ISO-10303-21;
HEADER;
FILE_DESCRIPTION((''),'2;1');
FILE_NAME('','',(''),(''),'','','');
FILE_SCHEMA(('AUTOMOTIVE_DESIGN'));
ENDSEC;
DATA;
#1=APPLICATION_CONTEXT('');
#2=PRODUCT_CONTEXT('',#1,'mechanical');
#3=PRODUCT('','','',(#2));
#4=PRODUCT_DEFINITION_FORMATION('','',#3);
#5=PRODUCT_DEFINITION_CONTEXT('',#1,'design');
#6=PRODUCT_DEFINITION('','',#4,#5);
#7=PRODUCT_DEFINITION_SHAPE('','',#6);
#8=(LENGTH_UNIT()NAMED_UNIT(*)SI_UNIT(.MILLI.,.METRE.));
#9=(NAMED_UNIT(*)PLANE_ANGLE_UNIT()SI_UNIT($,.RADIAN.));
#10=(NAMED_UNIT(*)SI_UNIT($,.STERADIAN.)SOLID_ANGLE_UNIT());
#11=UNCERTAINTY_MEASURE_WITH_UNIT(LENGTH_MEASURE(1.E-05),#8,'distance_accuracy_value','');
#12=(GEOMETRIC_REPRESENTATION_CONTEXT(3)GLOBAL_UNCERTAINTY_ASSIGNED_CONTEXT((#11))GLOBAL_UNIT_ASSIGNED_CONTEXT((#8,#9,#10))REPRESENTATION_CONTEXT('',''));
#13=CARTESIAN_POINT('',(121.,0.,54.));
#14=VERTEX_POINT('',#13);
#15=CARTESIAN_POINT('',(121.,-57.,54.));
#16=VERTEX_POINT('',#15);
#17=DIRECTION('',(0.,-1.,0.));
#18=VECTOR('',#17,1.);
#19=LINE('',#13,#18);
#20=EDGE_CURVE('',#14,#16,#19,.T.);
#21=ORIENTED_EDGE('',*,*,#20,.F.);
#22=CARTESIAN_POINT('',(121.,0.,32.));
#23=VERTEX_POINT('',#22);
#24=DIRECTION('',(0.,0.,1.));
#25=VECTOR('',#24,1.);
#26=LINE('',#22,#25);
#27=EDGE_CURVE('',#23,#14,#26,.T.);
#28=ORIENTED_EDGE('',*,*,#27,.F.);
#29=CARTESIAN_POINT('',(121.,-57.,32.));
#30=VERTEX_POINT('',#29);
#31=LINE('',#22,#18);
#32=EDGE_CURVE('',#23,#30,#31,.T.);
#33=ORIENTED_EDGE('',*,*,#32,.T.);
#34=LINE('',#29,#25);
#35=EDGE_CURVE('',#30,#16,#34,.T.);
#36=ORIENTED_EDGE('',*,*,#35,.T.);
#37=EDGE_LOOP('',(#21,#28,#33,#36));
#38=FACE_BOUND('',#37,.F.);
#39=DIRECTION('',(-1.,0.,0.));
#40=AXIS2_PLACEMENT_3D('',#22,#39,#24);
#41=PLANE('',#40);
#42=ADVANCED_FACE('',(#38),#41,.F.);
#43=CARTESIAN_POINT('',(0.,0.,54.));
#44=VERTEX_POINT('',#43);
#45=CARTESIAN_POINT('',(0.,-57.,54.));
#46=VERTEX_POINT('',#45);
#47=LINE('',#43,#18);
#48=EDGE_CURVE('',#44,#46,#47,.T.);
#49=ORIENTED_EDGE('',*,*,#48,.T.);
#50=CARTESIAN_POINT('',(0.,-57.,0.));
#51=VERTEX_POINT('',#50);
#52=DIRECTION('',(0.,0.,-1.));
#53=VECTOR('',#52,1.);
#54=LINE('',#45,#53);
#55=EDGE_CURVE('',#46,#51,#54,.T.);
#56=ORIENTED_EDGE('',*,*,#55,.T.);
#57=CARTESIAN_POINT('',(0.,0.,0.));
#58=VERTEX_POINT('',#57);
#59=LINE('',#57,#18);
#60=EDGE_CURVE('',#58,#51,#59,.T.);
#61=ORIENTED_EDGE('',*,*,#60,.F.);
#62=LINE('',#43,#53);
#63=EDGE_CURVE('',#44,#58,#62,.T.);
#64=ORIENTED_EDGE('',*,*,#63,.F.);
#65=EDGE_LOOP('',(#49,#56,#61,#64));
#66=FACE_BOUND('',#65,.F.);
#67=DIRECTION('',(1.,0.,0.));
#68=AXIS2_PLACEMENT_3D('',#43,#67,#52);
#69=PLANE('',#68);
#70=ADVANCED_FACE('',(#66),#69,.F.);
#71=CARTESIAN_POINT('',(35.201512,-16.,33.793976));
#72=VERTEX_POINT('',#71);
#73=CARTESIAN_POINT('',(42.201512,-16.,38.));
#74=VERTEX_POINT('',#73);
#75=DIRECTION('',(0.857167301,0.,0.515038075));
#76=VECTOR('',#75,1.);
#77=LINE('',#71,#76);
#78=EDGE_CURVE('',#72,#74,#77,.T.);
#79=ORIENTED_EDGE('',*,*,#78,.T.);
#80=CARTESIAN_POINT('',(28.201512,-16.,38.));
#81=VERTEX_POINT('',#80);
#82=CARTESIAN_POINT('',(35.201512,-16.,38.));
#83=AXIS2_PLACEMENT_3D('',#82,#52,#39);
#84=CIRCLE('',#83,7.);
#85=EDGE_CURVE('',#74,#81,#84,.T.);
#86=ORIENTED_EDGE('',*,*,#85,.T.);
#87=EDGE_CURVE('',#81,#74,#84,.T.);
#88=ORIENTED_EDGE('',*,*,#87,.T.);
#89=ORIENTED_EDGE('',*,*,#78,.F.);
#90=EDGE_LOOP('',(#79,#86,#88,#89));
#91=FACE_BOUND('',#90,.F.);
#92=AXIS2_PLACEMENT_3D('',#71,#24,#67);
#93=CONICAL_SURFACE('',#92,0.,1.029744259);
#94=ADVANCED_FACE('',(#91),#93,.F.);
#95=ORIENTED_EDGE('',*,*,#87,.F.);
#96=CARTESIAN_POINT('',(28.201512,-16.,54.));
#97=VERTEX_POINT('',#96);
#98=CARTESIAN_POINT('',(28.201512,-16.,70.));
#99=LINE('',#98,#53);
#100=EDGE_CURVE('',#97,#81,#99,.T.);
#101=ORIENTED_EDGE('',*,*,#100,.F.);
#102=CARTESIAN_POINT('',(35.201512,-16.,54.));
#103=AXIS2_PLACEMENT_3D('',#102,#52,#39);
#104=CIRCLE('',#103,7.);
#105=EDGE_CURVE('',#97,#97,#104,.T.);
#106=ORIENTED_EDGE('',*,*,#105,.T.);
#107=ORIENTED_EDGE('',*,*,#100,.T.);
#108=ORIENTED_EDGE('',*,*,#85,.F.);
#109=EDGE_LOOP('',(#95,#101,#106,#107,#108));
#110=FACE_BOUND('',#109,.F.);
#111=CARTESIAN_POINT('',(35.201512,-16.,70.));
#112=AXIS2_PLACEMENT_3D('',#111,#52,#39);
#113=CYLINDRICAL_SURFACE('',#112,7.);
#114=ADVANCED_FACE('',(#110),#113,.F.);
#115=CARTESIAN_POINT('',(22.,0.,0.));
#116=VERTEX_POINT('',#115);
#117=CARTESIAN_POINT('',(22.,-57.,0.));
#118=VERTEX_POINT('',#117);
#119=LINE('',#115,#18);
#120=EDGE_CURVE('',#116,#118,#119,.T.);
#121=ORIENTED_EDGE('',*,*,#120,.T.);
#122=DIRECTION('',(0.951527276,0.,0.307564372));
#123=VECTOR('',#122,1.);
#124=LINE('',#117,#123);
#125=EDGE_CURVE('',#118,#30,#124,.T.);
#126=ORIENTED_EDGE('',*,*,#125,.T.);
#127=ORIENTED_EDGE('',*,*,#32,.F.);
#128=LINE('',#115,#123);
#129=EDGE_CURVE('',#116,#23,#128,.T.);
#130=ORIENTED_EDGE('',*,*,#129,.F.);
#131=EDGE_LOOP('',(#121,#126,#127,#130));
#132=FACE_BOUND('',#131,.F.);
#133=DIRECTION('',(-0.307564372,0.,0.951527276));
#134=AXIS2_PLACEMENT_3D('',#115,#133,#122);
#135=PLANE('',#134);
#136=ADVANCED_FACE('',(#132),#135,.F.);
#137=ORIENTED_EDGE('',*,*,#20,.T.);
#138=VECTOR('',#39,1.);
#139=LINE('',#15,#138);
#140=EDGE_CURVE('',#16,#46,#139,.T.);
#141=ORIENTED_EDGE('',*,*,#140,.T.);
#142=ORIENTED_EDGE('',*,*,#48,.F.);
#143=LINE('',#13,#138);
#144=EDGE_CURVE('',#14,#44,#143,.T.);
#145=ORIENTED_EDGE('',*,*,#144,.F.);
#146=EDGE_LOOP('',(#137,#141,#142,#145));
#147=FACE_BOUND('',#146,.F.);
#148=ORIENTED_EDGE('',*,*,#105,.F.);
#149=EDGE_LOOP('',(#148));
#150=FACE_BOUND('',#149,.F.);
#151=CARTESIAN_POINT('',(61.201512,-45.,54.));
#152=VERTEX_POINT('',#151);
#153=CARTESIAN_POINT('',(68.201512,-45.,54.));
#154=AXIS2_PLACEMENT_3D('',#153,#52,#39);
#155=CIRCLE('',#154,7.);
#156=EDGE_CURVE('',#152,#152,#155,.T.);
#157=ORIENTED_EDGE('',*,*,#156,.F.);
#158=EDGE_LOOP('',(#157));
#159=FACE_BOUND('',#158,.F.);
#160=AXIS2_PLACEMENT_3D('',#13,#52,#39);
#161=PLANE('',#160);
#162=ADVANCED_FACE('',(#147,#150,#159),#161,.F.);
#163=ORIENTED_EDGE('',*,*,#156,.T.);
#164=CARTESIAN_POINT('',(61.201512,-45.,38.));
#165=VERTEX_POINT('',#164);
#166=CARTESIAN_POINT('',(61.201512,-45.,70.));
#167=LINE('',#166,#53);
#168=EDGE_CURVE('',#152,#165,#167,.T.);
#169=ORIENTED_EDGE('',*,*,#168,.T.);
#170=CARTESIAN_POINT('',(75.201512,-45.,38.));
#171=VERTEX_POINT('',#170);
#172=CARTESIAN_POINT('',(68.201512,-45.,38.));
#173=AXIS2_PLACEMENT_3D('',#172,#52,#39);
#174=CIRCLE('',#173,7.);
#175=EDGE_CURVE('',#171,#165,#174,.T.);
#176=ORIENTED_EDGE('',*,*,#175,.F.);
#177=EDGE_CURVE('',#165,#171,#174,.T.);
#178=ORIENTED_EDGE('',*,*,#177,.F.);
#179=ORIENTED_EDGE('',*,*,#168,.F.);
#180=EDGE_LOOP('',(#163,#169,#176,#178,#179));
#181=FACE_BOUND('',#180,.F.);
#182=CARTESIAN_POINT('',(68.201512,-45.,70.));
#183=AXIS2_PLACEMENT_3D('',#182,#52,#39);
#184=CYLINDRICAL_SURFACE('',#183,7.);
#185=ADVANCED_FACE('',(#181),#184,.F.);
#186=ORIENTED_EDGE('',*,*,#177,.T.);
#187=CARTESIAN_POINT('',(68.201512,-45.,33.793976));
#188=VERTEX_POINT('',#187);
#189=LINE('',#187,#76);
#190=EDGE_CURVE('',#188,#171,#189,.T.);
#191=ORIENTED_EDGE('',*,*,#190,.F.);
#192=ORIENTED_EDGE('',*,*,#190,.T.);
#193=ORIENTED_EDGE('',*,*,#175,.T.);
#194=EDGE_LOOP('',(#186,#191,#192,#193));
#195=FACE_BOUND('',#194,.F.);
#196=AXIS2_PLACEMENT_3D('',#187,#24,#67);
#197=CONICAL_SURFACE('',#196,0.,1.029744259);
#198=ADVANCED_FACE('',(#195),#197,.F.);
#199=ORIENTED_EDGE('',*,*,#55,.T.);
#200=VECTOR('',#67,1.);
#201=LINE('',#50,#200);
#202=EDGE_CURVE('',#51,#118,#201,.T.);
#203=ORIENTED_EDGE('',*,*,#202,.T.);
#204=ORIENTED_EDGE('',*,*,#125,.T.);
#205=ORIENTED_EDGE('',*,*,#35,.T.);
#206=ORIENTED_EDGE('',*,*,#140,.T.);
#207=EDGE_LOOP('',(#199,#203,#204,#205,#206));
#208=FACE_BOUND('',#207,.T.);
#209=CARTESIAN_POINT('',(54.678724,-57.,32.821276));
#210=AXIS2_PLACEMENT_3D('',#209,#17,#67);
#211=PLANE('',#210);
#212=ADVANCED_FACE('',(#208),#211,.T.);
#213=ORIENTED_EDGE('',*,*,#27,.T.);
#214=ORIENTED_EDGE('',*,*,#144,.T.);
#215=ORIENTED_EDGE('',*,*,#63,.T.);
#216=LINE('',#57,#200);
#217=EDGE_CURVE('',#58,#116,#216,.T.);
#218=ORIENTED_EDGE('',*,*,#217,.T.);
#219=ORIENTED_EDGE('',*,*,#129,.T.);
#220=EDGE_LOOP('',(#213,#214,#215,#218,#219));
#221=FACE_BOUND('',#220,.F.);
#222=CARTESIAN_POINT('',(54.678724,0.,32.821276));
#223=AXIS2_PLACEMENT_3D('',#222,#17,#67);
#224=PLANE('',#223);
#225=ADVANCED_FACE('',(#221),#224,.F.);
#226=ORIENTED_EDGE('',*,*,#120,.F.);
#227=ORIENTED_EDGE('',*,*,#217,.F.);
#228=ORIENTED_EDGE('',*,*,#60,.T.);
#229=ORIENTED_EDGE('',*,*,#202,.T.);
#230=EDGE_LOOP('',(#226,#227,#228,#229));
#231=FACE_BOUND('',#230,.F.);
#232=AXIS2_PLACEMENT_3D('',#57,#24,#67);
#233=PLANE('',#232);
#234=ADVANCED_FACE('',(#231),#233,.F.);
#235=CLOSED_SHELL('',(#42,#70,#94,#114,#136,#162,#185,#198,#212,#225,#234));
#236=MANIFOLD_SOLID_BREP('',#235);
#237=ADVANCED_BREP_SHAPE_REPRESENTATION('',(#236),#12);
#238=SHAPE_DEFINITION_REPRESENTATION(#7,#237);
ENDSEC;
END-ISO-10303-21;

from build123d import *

# Parameters (mm, degrees)
F1_DEPTH = 57
F3_D     = 14
F3_DEPTH = 16
F3_TIP   = 4.2060243332


with BuildPart() as f1:
    # F0 (on Front) → F1 (new body)
    with BuildSketch(Plane.XZ):
        Polygon((121, 54), (0, 54), (0, 0), (22, 0), (121, 32), align=None)
    extrude(amount=F1_DEPTH)

    # F3
    with Locations(Plane.XY.offset(54)):
        with Locations((35.2015122771, -16), (68.2015122771, -45)):
            Hole(F3_D / 2, depth=F3_DEPTH)
            with Locations((0, 0, -(F3_DEPTH + F3_TIP / 2))):  # 118° drill point
                Cone(0, F3_D / 2, F3_TIP, mode=Mode.SUBTRACT)


solid = f1.part
